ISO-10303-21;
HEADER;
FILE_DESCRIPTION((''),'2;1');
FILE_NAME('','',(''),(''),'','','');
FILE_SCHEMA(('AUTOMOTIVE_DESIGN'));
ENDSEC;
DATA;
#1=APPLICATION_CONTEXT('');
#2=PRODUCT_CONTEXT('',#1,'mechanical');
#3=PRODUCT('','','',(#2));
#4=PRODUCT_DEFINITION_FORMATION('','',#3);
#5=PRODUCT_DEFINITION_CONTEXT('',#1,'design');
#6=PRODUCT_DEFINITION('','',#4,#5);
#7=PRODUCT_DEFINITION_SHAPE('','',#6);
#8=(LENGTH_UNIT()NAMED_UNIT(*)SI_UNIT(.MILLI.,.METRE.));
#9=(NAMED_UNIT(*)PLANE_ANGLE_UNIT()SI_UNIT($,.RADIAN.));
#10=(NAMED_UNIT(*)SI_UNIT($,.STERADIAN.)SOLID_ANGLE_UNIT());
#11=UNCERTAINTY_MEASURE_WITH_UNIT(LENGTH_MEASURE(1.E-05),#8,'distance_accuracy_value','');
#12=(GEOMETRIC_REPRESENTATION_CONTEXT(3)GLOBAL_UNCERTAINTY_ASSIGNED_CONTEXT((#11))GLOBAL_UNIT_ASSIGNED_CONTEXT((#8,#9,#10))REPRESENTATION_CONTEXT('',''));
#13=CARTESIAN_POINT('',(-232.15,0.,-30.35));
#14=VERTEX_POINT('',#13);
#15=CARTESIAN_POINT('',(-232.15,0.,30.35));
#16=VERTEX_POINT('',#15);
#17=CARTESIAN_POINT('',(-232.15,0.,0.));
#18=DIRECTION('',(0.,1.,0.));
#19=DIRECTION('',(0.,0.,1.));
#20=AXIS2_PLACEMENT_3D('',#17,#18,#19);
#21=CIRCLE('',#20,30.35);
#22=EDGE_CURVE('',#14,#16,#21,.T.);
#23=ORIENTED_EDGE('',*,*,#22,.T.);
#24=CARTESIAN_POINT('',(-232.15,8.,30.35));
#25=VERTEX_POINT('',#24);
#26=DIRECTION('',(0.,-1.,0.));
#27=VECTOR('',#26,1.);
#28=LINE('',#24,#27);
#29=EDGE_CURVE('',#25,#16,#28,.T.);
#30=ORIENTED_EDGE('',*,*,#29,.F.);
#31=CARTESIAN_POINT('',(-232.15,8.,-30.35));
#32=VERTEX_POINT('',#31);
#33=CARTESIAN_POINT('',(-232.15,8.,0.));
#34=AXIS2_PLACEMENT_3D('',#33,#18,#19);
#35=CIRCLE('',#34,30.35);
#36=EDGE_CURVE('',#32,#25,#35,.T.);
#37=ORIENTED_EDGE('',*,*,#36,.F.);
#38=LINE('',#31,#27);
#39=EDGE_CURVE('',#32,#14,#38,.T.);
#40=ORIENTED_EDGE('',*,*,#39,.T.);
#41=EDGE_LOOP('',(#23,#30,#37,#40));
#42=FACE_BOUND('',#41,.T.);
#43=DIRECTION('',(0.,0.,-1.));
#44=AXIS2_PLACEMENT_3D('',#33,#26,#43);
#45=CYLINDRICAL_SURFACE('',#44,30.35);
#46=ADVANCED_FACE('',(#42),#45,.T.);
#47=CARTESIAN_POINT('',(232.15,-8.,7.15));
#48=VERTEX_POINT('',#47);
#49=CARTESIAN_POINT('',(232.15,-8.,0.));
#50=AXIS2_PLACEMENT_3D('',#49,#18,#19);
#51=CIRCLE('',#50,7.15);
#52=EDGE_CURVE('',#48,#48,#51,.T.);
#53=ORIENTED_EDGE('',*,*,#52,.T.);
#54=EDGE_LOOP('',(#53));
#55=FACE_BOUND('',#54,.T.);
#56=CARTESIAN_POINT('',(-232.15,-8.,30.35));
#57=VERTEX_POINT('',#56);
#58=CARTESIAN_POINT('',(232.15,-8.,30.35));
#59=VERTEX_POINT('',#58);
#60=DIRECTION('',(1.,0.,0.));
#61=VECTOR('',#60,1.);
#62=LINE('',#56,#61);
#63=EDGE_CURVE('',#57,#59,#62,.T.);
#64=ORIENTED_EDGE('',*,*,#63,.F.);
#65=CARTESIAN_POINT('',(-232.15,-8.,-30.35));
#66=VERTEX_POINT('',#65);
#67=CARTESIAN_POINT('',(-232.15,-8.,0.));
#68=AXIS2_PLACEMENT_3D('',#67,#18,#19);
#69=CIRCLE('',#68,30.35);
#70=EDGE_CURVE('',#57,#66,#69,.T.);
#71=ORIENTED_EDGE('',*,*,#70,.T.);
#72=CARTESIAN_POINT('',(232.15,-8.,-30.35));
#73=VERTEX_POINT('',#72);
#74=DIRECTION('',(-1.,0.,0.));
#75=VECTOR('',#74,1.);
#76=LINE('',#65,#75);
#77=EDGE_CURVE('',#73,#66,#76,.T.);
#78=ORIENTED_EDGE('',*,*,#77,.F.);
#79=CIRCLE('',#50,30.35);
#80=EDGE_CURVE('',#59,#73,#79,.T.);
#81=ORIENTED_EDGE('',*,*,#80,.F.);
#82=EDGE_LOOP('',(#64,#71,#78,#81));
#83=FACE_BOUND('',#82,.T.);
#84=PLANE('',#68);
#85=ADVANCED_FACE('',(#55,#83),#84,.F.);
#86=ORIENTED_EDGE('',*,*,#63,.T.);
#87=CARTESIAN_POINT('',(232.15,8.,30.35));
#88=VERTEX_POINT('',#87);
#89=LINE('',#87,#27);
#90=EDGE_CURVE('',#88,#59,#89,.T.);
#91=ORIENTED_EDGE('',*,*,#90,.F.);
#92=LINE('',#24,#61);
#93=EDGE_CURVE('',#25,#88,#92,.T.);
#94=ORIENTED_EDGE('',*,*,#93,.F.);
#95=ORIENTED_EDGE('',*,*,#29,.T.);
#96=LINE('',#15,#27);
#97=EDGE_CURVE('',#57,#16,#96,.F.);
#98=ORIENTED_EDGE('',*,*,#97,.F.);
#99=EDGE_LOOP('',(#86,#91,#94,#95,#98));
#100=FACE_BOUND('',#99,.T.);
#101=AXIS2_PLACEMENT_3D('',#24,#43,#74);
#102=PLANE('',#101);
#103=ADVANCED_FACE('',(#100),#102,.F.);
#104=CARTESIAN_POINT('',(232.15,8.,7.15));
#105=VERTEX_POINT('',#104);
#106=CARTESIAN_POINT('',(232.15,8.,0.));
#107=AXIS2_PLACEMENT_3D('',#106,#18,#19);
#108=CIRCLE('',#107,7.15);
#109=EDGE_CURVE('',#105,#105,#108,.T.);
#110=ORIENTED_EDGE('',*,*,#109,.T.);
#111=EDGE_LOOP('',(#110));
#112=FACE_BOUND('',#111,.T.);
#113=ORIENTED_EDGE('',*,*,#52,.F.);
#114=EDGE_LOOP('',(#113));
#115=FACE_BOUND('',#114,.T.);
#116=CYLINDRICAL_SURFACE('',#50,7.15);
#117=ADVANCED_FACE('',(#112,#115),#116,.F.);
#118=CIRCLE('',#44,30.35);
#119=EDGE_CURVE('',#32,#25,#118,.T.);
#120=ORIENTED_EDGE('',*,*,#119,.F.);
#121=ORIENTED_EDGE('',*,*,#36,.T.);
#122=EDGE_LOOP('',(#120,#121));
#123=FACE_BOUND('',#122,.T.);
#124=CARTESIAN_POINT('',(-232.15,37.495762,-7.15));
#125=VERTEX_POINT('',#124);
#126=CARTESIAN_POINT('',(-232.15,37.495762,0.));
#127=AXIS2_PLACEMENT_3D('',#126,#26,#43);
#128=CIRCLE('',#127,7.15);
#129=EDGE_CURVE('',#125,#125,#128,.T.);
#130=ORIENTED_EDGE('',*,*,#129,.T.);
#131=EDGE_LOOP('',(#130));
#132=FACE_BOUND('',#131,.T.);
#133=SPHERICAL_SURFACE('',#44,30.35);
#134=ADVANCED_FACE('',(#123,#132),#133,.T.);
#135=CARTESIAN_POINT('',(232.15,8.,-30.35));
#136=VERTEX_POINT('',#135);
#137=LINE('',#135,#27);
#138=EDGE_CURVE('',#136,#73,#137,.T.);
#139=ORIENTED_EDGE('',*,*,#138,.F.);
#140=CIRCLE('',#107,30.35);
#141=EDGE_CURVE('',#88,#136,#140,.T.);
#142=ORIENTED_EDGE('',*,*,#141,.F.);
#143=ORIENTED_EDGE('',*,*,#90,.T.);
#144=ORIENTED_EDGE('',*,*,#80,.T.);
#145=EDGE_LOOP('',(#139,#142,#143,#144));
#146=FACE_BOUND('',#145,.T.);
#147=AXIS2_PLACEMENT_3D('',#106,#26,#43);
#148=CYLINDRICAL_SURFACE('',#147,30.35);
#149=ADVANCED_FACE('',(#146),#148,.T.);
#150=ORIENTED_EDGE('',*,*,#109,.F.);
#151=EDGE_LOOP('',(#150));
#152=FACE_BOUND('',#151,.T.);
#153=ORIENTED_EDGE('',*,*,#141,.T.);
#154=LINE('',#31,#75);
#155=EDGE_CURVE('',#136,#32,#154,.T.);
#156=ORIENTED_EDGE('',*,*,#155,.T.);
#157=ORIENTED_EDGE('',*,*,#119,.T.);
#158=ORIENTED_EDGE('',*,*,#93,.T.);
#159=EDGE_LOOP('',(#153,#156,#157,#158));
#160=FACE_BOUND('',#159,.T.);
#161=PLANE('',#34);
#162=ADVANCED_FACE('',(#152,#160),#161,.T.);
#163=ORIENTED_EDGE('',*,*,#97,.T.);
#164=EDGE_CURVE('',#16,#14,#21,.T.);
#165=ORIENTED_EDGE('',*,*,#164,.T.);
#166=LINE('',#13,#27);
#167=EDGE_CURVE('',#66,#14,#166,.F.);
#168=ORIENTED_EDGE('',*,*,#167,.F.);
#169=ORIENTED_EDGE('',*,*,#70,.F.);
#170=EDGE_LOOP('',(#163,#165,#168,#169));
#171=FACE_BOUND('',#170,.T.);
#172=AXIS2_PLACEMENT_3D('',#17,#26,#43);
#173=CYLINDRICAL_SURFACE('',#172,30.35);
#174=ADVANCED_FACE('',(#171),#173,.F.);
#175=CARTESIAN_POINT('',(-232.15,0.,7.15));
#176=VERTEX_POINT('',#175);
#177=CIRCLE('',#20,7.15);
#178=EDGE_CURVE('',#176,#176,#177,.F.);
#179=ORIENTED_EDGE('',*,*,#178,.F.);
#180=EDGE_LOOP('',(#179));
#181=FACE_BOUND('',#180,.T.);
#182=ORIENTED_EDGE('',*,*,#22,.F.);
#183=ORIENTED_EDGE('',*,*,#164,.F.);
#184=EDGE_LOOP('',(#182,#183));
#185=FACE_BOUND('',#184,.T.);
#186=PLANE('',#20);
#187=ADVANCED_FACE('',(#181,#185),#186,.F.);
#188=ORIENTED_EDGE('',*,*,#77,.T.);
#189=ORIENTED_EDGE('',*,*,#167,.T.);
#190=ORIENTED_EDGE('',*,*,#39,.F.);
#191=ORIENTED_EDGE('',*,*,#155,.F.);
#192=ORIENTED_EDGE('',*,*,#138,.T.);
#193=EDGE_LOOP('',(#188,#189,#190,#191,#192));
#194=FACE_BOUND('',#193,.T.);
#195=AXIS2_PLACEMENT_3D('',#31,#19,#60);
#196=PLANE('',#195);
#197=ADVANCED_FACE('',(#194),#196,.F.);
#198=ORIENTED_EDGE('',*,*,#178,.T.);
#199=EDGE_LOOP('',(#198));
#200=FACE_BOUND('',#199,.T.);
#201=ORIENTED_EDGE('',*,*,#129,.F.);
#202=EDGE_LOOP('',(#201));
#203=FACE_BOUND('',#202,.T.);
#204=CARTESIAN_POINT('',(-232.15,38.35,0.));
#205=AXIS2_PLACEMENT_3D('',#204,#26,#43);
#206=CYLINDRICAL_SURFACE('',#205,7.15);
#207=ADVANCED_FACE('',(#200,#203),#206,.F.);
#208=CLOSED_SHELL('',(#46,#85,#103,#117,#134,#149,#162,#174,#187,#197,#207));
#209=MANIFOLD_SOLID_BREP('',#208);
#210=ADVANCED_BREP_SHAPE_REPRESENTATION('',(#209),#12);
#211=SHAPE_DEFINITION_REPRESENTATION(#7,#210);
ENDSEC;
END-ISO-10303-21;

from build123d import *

# Parameters (mm, degrees)
BOSS_EXTRU_1_DEPTH      = 8
ESQUISSE2_R             = 7.15
ENL_V_MAT_EXTRU_1_DEPTH = 265.732643435
R_VOLUTION1_ANGLE       = 180
ESQUISSE4_R             = 7.15
ENL_V_MAT_EXTRU_2_DEPTH = 269.282863784
ESQUISSE5_R             = 30.35
ENL_V_MAT_EXTRU_6_DEPTH = 8


with BuildPart() as part:
    # Esquisse1 → Boss.-Extru.1 (new, symmetric)
    with BuildSketch(Plane(origin=(0, 0, 0), x_dir=(1, 0, 0), z_dir=(0, 1, 0))):
        with BuildLine():
            Line((-232.15, 30.35), (232.15, 30.35))
            ThreePointArc((232.15, 30.35), (262.5, 0), (232.15, -30.35))
            Line((232.15, -30.35), (-232.15, -30.35))
            ThreePointArc((-232.15, -30.35), (-262.5, 0), (-232.15, 30.35))
        make_face()
    extrude(amount=BOSS_EXTRU_1_DEPTH, both=True)

    # Esquisse2 → Enlèv. mat.-Extru.1 (cut, through all)
    with BuildSketch(Plane(origin=(0, 8, 0), x_dir=(1, 0, 0), z_dir=(0, 1, 0))):
        with Locations(Location((232.15, 0, 0), (0, 0, 270))):
            Circle(ESQUISSE2_R)
    extrude(amount=-ENL_V_MAT_EXTRU_1_DEPTH, mode=Mode.SUBTRACT)

    # Esquisse3 → Révolution1 (revolve)
    with BuildSketch(Plane(origin=(0, 8, 0), x_dir=(1, 0, 0), z_dir=(0, 1, 0))):
        with BuildLine():
            Line((-232.15, 30.35), (-232.15, -30.35))
            ThreePointArc((-232.15, -30.35), (-262.5, 0), (-232.15, 30.35))
        make_face()
    revolve(axis=Axis((-232.15, 8, -30.35), (0, 0, -1)), revolution_arc=R_VOLUTION1_ANGLE)

    # Esquisse4 → Enlèv. mat.-Extru.2 (cut, through all)
    with BuildSketch(Plane.XZ.offset(8)):
        with Locations(Location((-232.15, 0, 0), (0, 0, 270))):
            Circle(ESQUISSE4_R)
    extrude(amount=-ENL_V_MAT_EXTRU_2_DEPTH, mode=Mode.SUBTRACT)

    # Esquisse5 → Enlèv. mat.-Extru.6 (cut)
    with BuildSketch(Plane(origin=(0, 0, 0), x_dir=(1, 0, 0), z_dir=(0, 1, 0))):
        with Locations((-232.15, 0)):
            Circle(ESQUISSE5_R)
    extrude(amount=-ENL_V_MAT_EXTRU_6_DEPTH, mode=Mode.SUBTRACT)


solid = part.part
